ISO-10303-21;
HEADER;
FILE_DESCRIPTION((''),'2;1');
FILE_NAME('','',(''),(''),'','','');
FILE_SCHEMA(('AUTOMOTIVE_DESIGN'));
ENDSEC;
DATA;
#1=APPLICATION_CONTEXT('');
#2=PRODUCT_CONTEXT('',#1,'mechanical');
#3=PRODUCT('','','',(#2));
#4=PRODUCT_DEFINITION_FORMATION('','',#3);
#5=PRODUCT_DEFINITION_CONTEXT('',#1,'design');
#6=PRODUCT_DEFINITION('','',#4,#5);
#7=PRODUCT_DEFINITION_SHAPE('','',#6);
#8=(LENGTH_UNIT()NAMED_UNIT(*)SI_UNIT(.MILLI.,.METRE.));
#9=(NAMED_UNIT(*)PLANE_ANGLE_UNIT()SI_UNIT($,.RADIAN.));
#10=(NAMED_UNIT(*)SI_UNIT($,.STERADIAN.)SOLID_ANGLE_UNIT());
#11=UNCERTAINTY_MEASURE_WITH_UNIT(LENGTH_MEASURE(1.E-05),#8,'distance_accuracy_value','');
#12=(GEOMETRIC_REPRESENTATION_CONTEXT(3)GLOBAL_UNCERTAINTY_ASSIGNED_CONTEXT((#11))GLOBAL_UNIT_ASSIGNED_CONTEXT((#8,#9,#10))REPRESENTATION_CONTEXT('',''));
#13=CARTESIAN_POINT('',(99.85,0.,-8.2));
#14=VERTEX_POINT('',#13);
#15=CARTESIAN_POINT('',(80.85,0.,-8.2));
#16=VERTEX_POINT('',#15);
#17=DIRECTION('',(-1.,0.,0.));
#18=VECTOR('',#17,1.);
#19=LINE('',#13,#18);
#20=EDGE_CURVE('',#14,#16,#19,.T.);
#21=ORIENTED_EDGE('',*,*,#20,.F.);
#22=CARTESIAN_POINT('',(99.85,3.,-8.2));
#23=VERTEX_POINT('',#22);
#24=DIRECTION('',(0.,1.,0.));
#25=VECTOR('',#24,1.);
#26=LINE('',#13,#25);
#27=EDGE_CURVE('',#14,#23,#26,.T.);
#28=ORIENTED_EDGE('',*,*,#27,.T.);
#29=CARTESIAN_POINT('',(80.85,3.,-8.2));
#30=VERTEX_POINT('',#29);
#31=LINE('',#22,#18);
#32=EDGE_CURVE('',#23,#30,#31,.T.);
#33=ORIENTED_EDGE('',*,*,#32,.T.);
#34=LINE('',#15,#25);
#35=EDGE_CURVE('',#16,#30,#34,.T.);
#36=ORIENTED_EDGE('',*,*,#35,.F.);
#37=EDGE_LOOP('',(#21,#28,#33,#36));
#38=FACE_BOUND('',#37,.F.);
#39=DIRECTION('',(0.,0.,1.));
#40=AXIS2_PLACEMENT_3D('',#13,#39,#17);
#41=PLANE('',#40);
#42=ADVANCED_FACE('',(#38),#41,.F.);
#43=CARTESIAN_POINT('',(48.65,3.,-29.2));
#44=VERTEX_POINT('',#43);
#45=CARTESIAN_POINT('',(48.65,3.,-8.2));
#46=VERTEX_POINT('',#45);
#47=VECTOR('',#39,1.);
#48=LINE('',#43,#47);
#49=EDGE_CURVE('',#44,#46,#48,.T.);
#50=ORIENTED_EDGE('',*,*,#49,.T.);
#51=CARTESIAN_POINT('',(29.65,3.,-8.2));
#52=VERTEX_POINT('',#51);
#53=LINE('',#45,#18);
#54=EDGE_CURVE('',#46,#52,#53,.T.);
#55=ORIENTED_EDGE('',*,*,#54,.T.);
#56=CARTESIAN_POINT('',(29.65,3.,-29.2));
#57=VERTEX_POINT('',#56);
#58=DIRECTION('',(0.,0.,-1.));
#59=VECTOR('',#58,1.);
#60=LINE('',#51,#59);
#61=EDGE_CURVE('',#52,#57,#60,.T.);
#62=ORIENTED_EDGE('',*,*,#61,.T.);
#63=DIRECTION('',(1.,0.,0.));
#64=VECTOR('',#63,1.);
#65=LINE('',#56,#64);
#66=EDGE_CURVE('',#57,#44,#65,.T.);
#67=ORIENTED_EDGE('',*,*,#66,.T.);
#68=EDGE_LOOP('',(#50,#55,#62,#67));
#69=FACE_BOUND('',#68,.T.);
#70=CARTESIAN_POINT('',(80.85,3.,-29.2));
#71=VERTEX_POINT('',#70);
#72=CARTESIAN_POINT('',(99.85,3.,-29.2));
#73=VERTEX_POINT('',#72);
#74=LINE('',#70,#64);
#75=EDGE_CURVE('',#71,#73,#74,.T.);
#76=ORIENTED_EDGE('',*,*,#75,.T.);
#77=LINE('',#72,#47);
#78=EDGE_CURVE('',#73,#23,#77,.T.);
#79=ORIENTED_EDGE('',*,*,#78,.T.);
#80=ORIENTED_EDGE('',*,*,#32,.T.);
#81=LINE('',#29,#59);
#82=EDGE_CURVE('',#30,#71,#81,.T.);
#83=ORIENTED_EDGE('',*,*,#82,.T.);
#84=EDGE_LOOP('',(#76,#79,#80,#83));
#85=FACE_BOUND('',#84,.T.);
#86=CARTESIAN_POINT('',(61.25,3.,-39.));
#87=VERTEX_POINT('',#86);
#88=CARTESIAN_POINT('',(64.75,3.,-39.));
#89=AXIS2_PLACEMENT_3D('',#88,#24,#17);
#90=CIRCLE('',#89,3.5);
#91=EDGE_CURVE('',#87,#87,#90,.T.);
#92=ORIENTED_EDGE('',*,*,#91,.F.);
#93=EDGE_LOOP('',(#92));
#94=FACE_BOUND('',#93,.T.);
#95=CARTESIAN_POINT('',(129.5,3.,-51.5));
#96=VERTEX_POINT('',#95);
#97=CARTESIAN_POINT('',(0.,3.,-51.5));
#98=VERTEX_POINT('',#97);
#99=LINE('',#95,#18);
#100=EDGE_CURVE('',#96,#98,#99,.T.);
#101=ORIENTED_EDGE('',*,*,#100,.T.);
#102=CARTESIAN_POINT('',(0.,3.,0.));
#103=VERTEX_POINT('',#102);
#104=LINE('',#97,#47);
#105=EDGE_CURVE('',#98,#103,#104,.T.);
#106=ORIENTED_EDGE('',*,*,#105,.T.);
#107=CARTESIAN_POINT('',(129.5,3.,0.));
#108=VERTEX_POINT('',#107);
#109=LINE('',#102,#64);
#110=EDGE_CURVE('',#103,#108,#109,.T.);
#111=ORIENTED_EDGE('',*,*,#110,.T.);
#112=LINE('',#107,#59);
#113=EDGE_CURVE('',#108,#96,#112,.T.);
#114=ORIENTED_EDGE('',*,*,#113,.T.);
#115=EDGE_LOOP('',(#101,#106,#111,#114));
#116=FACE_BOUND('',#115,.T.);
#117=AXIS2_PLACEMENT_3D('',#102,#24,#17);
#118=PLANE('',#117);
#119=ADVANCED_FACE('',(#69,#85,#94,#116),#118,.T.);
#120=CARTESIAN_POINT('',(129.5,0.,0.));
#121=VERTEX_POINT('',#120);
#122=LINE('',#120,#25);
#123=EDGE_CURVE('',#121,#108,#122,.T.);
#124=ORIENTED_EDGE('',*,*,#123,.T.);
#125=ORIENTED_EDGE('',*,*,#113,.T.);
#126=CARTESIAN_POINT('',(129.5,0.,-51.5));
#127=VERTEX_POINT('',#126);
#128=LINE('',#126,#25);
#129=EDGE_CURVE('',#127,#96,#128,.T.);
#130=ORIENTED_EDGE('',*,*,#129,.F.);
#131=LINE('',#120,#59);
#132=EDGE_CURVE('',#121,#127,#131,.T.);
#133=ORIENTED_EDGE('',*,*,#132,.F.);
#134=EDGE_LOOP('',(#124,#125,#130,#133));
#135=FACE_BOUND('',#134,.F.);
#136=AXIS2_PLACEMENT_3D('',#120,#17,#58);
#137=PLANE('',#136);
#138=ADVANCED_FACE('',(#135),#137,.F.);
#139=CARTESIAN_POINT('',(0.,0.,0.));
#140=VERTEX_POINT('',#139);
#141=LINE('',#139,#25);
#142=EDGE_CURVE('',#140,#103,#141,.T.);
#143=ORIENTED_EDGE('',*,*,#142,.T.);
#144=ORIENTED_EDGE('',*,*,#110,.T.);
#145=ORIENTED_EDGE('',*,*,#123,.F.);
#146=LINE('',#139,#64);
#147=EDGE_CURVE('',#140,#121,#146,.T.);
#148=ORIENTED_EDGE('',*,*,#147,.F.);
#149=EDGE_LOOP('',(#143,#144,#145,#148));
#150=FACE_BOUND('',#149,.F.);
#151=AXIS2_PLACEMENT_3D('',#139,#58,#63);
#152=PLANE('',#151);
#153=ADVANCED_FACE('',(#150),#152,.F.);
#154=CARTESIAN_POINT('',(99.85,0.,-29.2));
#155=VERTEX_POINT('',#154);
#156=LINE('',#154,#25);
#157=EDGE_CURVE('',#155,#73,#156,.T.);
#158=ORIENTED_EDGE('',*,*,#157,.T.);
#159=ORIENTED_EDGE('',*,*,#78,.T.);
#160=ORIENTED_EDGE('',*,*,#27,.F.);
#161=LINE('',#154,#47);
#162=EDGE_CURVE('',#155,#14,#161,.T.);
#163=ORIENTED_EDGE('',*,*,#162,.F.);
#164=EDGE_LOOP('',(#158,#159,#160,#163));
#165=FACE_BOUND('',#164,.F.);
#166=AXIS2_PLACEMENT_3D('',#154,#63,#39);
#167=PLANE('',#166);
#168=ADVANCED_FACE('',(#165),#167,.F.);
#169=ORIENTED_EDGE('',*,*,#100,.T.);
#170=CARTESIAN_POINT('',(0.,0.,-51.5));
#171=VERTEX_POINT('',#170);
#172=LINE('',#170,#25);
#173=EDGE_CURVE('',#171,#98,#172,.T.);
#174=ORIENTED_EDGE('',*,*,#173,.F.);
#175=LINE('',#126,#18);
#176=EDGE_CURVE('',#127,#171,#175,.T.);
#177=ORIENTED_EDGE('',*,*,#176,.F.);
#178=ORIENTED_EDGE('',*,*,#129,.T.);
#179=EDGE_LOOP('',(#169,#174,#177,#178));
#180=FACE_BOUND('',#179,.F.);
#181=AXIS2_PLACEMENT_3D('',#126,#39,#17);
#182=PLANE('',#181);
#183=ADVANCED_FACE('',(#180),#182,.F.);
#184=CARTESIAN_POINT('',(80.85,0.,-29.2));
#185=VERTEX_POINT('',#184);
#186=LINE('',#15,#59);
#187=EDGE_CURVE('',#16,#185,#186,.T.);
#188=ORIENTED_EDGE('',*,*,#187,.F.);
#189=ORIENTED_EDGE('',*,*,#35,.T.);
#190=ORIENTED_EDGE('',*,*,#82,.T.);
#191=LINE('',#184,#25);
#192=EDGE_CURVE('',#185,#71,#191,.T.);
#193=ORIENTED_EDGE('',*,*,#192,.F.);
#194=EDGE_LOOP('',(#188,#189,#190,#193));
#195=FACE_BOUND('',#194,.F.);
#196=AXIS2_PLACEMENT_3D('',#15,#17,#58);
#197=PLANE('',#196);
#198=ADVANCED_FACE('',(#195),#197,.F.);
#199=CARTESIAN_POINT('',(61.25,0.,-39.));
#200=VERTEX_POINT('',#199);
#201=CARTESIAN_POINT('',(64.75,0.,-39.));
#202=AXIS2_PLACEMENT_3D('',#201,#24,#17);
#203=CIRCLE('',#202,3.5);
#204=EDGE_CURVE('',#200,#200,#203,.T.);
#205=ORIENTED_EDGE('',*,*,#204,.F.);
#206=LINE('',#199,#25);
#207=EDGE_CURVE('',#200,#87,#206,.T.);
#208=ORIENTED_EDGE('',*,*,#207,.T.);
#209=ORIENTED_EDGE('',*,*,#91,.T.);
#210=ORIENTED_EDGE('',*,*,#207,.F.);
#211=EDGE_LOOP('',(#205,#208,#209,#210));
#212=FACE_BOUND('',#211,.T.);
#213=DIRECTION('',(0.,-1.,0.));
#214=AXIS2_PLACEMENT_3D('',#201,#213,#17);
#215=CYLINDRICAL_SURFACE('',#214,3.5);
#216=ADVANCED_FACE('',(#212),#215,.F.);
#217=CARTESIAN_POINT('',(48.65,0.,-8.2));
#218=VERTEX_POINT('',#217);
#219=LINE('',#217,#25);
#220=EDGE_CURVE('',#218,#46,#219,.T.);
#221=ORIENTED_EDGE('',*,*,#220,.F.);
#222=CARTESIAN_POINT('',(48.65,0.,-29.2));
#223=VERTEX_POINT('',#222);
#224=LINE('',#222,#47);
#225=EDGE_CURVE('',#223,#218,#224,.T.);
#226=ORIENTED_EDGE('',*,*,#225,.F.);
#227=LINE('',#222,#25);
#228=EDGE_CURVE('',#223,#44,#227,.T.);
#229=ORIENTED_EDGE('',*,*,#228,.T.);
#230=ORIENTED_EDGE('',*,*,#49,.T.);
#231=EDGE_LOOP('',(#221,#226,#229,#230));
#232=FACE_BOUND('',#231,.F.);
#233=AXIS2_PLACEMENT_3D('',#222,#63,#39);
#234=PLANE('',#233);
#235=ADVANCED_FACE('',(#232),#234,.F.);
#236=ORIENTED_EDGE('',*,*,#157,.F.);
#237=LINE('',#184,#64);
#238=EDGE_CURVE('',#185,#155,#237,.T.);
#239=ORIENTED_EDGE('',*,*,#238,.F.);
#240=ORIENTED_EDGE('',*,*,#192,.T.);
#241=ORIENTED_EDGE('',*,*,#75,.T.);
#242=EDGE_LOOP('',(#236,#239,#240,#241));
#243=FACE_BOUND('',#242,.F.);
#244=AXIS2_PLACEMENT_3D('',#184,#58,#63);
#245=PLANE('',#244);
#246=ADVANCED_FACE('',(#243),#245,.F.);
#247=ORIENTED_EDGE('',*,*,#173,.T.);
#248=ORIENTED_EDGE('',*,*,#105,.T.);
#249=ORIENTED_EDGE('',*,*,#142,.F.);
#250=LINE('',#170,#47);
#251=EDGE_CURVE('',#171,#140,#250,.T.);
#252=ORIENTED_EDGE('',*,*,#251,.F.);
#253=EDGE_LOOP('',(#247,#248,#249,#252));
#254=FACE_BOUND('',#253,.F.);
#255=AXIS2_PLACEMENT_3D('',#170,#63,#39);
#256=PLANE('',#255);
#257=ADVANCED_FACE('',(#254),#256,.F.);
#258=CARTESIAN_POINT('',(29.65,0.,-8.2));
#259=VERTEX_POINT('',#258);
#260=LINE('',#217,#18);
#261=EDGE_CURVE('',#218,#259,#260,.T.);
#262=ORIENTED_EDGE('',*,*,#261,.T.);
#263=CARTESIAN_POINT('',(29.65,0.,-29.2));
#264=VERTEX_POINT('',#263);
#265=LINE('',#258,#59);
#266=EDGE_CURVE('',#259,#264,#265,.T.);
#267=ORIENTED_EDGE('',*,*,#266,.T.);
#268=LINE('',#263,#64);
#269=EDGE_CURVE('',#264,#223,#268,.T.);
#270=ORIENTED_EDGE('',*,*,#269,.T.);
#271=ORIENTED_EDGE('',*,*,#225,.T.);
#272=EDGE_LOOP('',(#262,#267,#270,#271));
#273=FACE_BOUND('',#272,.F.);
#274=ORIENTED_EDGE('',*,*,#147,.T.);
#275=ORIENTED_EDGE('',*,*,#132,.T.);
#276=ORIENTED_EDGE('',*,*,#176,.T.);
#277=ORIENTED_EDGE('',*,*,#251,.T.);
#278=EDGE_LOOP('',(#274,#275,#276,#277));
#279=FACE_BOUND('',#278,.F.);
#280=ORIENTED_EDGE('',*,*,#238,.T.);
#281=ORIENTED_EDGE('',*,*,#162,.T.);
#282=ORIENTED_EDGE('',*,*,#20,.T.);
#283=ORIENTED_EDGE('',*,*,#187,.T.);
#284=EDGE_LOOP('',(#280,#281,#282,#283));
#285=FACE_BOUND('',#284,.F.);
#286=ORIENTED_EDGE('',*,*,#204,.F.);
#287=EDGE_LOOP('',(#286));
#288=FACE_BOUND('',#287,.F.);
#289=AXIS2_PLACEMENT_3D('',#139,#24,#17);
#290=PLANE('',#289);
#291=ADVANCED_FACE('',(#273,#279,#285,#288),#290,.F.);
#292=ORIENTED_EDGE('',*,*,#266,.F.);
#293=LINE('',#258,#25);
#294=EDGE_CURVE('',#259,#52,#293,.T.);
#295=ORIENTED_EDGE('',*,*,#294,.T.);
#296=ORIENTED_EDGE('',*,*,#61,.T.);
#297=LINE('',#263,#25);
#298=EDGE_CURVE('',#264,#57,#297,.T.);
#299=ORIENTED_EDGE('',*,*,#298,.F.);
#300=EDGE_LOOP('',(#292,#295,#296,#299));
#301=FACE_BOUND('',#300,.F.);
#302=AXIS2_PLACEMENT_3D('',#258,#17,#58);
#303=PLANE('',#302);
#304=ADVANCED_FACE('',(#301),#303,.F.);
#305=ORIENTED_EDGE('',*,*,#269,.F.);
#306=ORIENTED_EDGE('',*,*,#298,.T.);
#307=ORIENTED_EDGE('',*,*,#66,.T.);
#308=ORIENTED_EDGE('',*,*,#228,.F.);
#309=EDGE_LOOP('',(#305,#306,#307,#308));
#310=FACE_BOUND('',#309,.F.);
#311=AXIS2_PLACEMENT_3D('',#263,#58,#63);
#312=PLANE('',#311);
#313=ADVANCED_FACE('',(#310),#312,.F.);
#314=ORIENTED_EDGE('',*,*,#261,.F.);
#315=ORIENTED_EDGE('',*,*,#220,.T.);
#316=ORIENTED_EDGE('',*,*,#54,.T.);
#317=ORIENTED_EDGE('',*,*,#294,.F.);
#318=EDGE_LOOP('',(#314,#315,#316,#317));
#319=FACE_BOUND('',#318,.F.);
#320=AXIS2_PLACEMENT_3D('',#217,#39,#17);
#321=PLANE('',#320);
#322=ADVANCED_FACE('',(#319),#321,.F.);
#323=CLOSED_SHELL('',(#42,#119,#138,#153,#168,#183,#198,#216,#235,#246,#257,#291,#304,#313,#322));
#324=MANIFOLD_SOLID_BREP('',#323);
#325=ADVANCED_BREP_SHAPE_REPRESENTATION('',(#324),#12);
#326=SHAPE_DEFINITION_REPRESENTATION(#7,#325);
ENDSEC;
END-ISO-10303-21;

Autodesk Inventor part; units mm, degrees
ref_plane "YZ Plane" through (0, 0, 0) normal (1, 0, 0) x (0, 1, 0)
ref_plane "XZ Plane" through (0, 0, 0) normal (0, 1, 0) x (-1, 0, 0)
ref_plane "XY Plane" through (0, 0, 0) normal (0, 0, 1) x (1, 0, 0)
sketch "Skizze1" plane through (0, 0, 0) normal (0, 1, 0) x (-1, 0, 0)
  line L0 (0, 0) -> (-129.5, 0)
  line L1 (-129.5, 0) -> (-129.5, -51.5)
  line L2 (-129.5, -51.5) -> (0, -51.5)
  line L3 (0, -51.5) -> (0, 0)
  line L4 (-29.65, -29.2) -> (-48.65, -29.2)
  line L5 (-48.65, -29.2) -> (-48.65, -8.2)
  line L6 (-48.65, -8.2) -> (-29.65, -8.2)
  line L7 (-29.65, -8.2) -> (-29.65, -29.2)
  line L8 (-80.85, -29.2) -> (-99.85, -29.2)
  line L9 (-99.85, -29.2) -> (-99.85, -8.2)
  line L10 (-99.85, -8.2) -> (-80.85, -8.2)
  line L11 (-80.85, -8.2) -> (-80.85, -29.2)
  line L12 (-48.65, -18.7) -> (-80.85, -18.7) construction
  circle A0 centre (-64.75, -39) radius 3.5
  line L13 (-64.75, -42.5) -> (-64.75, -51.5) construction
  point P0 (-64.75, -18.7)
  point P1 (0, -25.75)
  dimension "d10" = 7
  dimension "d0" = 129.5
  dimension "d4" = 19
  dimension "d5" = 21
  dimension "d7" = 8.2
  dimension "d8" = 51.5
  dimension "d9" = 32.2
  dimension "d11" = 9
extrude "Extrusion1" add sketch "Skizze1" along normal blind 3
properties part number "wood_front"
